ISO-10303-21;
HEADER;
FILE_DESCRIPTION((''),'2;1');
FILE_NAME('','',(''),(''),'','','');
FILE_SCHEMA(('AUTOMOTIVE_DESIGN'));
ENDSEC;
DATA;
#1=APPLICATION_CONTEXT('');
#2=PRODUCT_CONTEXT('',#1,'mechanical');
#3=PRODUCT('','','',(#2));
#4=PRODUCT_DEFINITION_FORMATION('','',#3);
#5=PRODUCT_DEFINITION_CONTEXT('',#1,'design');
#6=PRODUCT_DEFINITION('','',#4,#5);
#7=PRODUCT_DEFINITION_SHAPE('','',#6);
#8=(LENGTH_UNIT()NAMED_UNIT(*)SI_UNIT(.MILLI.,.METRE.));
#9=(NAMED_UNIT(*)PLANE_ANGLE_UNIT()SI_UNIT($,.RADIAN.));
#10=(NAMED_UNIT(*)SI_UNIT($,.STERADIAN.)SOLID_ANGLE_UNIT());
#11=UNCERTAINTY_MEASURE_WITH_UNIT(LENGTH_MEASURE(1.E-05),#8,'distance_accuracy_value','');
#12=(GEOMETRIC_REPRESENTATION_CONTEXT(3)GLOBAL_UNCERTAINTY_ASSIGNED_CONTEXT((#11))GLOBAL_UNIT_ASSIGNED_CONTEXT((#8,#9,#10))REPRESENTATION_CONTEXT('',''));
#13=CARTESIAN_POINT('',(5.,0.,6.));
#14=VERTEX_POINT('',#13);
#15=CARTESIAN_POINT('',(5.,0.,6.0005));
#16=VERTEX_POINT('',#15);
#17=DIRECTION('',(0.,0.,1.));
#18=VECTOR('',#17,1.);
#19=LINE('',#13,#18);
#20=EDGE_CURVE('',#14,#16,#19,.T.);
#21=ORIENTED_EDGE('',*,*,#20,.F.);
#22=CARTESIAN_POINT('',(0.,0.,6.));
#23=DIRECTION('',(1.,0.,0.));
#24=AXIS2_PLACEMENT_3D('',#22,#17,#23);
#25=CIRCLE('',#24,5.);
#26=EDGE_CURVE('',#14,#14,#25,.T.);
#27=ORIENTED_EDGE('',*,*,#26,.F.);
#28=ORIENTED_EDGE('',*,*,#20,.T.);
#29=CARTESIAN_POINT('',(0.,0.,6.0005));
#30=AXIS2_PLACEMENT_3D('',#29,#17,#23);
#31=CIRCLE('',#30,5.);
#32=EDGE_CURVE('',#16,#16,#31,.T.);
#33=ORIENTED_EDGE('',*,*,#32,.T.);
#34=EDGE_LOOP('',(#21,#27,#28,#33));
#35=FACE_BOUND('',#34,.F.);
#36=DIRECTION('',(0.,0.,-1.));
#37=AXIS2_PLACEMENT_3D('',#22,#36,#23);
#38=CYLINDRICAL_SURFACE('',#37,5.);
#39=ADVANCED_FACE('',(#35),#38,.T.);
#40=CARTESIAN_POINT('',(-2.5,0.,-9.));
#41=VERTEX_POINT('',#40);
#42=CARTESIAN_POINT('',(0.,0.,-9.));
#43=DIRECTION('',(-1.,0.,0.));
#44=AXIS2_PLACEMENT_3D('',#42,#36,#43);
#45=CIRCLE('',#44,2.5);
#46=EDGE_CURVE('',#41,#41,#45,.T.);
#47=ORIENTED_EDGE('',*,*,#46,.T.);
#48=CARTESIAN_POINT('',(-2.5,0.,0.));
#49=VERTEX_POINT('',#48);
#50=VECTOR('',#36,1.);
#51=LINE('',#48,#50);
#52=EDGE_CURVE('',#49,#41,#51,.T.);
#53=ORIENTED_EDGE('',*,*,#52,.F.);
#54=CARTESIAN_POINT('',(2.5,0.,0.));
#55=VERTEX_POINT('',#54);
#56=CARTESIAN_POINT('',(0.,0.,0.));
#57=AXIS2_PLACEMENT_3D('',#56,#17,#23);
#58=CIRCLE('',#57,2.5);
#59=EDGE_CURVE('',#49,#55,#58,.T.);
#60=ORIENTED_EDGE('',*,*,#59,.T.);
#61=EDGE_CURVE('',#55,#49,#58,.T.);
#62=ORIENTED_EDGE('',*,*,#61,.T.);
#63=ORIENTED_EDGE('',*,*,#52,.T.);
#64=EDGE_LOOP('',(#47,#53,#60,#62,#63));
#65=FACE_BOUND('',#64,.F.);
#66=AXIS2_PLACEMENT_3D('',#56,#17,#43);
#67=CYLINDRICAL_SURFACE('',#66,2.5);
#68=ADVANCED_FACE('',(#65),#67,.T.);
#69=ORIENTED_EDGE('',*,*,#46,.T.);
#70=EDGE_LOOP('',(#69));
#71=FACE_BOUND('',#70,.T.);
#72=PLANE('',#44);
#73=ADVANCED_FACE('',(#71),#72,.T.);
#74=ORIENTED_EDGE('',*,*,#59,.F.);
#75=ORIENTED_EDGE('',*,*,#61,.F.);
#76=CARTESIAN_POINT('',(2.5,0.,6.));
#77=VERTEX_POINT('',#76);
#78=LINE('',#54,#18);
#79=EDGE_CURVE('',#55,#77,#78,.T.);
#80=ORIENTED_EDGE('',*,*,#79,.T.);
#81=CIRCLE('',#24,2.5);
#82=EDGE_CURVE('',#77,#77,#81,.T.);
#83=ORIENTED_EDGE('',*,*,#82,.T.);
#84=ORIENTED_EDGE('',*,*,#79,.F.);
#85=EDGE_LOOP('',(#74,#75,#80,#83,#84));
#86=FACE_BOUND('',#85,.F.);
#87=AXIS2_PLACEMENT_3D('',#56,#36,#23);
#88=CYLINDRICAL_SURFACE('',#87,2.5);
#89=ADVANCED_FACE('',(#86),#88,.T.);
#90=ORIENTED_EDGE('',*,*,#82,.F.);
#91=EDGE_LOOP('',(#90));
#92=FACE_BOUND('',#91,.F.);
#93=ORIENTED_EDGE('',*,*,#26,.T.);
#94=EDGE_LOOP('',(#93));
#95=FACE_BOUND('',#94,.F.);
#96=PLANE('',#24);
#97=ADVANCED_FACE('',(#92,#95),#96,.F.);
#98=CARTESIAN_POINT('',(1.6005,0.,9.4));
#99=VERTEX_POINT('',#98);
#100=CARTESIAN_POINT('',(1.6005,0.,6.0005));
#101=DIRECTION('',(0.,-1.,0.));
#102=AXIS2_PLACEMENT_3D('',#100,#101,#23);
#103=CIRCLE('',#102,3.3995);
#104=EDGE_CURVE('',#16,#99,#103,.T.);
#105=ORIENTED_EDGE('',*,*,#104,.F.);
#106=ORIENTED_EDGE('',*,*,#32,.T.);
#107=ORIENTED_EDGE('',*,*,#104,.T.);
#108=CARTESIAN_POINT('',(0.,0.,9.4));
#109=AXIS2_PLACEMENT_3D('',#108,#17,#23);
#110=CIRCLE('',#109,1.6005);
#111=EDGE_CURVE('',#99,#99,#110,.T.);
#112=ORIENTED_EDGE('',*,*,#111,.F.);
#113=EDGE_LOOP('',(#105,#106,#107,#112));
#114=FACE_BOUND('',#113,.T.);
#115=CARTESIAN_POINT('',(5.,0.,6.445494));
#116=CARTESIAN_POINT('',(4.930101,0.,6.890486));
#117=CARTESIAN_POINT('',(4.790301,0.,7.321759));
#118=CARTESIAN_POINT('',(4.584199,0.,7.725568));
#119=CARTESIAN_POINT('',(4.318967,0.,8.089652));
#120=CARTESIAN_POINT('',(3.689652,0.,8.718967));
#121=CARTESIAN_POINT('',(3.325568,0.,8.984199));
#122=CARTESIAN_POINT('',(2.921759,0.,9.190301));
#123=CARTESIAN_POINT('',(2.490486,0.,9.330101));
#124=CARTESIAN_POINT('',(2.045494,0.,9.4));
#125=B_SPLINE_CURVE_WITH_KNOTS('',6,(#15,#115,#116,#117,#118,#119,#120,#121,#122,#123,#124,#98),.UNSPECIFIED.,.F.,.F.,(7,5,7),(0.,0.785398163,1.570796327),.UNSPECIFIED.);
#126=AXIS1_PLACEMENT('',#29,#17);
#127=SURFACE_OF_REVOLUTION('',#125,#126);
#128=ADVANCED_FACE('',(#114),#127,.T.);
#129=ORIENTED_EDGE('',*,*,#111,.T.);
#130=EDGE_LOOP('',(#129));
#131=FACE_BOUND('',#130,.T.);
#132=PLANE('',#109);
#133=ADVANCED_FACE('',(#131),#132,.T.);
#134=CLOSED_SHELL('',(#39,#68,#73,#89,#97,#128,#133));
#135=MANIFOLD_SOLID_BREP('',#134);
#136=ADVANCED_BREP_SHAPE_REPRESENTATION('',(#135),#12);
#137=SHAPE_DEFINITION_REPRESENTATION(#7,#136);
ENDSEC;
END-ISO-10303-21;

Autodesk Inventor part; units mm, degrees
ref_plane "YZ Plane" through (0, 0, 0) normal (1, 0, 0) x (0, 1, 0)
ref_plane "XZ Plane" through (0, 0, 0) normal (0, 1, 0) x (-1, 0, 0)
ref_plane "XY Plane" through (0, 0, 0) normal (0, 0, 1) x (1, 0, 0)
sketch "スケッチ1" plane through (0, 0, 0) normal (0, 0, 1) x (1, 0, 0)
  circle A0 centre (0, 0) radius 2.5
  dimension "d0" = 5
extrude "押し出し1" add sketch "スケッチ1" along normal blind 6
sketch "スケッチ2" plane through (0, 0, 6) normal (0, 0, 1) x (1, 0, 0)
  circle A0 centre (0, 0) radius 2.5 projected
  circle A1 centre (0, 0) radius 5
  dimension "d3" = 10
extrude "押し出し2" add sketch "スケッチ2" along normal blind 3.4 contours A0 | A1
fillet "フィレット1" radius 3.4 1 edges at (-5, 0, 9.4)
thread "ねじ1" size "M3x0.5" class "6g" standard "ANSI Metric M Profile" full length
sketch "スケッチ3" plane through (0, 0, 0) normal (0, 0, -1) x (-1, 0, 0)
  circle A0 centre (0, 0) radius 2.5 projected
extrude "押し出し3" add sketch "スケッチ3" along normal blind 9
properties part number "SB　M5 15mmなべネジ" material "Steel, Mild"
